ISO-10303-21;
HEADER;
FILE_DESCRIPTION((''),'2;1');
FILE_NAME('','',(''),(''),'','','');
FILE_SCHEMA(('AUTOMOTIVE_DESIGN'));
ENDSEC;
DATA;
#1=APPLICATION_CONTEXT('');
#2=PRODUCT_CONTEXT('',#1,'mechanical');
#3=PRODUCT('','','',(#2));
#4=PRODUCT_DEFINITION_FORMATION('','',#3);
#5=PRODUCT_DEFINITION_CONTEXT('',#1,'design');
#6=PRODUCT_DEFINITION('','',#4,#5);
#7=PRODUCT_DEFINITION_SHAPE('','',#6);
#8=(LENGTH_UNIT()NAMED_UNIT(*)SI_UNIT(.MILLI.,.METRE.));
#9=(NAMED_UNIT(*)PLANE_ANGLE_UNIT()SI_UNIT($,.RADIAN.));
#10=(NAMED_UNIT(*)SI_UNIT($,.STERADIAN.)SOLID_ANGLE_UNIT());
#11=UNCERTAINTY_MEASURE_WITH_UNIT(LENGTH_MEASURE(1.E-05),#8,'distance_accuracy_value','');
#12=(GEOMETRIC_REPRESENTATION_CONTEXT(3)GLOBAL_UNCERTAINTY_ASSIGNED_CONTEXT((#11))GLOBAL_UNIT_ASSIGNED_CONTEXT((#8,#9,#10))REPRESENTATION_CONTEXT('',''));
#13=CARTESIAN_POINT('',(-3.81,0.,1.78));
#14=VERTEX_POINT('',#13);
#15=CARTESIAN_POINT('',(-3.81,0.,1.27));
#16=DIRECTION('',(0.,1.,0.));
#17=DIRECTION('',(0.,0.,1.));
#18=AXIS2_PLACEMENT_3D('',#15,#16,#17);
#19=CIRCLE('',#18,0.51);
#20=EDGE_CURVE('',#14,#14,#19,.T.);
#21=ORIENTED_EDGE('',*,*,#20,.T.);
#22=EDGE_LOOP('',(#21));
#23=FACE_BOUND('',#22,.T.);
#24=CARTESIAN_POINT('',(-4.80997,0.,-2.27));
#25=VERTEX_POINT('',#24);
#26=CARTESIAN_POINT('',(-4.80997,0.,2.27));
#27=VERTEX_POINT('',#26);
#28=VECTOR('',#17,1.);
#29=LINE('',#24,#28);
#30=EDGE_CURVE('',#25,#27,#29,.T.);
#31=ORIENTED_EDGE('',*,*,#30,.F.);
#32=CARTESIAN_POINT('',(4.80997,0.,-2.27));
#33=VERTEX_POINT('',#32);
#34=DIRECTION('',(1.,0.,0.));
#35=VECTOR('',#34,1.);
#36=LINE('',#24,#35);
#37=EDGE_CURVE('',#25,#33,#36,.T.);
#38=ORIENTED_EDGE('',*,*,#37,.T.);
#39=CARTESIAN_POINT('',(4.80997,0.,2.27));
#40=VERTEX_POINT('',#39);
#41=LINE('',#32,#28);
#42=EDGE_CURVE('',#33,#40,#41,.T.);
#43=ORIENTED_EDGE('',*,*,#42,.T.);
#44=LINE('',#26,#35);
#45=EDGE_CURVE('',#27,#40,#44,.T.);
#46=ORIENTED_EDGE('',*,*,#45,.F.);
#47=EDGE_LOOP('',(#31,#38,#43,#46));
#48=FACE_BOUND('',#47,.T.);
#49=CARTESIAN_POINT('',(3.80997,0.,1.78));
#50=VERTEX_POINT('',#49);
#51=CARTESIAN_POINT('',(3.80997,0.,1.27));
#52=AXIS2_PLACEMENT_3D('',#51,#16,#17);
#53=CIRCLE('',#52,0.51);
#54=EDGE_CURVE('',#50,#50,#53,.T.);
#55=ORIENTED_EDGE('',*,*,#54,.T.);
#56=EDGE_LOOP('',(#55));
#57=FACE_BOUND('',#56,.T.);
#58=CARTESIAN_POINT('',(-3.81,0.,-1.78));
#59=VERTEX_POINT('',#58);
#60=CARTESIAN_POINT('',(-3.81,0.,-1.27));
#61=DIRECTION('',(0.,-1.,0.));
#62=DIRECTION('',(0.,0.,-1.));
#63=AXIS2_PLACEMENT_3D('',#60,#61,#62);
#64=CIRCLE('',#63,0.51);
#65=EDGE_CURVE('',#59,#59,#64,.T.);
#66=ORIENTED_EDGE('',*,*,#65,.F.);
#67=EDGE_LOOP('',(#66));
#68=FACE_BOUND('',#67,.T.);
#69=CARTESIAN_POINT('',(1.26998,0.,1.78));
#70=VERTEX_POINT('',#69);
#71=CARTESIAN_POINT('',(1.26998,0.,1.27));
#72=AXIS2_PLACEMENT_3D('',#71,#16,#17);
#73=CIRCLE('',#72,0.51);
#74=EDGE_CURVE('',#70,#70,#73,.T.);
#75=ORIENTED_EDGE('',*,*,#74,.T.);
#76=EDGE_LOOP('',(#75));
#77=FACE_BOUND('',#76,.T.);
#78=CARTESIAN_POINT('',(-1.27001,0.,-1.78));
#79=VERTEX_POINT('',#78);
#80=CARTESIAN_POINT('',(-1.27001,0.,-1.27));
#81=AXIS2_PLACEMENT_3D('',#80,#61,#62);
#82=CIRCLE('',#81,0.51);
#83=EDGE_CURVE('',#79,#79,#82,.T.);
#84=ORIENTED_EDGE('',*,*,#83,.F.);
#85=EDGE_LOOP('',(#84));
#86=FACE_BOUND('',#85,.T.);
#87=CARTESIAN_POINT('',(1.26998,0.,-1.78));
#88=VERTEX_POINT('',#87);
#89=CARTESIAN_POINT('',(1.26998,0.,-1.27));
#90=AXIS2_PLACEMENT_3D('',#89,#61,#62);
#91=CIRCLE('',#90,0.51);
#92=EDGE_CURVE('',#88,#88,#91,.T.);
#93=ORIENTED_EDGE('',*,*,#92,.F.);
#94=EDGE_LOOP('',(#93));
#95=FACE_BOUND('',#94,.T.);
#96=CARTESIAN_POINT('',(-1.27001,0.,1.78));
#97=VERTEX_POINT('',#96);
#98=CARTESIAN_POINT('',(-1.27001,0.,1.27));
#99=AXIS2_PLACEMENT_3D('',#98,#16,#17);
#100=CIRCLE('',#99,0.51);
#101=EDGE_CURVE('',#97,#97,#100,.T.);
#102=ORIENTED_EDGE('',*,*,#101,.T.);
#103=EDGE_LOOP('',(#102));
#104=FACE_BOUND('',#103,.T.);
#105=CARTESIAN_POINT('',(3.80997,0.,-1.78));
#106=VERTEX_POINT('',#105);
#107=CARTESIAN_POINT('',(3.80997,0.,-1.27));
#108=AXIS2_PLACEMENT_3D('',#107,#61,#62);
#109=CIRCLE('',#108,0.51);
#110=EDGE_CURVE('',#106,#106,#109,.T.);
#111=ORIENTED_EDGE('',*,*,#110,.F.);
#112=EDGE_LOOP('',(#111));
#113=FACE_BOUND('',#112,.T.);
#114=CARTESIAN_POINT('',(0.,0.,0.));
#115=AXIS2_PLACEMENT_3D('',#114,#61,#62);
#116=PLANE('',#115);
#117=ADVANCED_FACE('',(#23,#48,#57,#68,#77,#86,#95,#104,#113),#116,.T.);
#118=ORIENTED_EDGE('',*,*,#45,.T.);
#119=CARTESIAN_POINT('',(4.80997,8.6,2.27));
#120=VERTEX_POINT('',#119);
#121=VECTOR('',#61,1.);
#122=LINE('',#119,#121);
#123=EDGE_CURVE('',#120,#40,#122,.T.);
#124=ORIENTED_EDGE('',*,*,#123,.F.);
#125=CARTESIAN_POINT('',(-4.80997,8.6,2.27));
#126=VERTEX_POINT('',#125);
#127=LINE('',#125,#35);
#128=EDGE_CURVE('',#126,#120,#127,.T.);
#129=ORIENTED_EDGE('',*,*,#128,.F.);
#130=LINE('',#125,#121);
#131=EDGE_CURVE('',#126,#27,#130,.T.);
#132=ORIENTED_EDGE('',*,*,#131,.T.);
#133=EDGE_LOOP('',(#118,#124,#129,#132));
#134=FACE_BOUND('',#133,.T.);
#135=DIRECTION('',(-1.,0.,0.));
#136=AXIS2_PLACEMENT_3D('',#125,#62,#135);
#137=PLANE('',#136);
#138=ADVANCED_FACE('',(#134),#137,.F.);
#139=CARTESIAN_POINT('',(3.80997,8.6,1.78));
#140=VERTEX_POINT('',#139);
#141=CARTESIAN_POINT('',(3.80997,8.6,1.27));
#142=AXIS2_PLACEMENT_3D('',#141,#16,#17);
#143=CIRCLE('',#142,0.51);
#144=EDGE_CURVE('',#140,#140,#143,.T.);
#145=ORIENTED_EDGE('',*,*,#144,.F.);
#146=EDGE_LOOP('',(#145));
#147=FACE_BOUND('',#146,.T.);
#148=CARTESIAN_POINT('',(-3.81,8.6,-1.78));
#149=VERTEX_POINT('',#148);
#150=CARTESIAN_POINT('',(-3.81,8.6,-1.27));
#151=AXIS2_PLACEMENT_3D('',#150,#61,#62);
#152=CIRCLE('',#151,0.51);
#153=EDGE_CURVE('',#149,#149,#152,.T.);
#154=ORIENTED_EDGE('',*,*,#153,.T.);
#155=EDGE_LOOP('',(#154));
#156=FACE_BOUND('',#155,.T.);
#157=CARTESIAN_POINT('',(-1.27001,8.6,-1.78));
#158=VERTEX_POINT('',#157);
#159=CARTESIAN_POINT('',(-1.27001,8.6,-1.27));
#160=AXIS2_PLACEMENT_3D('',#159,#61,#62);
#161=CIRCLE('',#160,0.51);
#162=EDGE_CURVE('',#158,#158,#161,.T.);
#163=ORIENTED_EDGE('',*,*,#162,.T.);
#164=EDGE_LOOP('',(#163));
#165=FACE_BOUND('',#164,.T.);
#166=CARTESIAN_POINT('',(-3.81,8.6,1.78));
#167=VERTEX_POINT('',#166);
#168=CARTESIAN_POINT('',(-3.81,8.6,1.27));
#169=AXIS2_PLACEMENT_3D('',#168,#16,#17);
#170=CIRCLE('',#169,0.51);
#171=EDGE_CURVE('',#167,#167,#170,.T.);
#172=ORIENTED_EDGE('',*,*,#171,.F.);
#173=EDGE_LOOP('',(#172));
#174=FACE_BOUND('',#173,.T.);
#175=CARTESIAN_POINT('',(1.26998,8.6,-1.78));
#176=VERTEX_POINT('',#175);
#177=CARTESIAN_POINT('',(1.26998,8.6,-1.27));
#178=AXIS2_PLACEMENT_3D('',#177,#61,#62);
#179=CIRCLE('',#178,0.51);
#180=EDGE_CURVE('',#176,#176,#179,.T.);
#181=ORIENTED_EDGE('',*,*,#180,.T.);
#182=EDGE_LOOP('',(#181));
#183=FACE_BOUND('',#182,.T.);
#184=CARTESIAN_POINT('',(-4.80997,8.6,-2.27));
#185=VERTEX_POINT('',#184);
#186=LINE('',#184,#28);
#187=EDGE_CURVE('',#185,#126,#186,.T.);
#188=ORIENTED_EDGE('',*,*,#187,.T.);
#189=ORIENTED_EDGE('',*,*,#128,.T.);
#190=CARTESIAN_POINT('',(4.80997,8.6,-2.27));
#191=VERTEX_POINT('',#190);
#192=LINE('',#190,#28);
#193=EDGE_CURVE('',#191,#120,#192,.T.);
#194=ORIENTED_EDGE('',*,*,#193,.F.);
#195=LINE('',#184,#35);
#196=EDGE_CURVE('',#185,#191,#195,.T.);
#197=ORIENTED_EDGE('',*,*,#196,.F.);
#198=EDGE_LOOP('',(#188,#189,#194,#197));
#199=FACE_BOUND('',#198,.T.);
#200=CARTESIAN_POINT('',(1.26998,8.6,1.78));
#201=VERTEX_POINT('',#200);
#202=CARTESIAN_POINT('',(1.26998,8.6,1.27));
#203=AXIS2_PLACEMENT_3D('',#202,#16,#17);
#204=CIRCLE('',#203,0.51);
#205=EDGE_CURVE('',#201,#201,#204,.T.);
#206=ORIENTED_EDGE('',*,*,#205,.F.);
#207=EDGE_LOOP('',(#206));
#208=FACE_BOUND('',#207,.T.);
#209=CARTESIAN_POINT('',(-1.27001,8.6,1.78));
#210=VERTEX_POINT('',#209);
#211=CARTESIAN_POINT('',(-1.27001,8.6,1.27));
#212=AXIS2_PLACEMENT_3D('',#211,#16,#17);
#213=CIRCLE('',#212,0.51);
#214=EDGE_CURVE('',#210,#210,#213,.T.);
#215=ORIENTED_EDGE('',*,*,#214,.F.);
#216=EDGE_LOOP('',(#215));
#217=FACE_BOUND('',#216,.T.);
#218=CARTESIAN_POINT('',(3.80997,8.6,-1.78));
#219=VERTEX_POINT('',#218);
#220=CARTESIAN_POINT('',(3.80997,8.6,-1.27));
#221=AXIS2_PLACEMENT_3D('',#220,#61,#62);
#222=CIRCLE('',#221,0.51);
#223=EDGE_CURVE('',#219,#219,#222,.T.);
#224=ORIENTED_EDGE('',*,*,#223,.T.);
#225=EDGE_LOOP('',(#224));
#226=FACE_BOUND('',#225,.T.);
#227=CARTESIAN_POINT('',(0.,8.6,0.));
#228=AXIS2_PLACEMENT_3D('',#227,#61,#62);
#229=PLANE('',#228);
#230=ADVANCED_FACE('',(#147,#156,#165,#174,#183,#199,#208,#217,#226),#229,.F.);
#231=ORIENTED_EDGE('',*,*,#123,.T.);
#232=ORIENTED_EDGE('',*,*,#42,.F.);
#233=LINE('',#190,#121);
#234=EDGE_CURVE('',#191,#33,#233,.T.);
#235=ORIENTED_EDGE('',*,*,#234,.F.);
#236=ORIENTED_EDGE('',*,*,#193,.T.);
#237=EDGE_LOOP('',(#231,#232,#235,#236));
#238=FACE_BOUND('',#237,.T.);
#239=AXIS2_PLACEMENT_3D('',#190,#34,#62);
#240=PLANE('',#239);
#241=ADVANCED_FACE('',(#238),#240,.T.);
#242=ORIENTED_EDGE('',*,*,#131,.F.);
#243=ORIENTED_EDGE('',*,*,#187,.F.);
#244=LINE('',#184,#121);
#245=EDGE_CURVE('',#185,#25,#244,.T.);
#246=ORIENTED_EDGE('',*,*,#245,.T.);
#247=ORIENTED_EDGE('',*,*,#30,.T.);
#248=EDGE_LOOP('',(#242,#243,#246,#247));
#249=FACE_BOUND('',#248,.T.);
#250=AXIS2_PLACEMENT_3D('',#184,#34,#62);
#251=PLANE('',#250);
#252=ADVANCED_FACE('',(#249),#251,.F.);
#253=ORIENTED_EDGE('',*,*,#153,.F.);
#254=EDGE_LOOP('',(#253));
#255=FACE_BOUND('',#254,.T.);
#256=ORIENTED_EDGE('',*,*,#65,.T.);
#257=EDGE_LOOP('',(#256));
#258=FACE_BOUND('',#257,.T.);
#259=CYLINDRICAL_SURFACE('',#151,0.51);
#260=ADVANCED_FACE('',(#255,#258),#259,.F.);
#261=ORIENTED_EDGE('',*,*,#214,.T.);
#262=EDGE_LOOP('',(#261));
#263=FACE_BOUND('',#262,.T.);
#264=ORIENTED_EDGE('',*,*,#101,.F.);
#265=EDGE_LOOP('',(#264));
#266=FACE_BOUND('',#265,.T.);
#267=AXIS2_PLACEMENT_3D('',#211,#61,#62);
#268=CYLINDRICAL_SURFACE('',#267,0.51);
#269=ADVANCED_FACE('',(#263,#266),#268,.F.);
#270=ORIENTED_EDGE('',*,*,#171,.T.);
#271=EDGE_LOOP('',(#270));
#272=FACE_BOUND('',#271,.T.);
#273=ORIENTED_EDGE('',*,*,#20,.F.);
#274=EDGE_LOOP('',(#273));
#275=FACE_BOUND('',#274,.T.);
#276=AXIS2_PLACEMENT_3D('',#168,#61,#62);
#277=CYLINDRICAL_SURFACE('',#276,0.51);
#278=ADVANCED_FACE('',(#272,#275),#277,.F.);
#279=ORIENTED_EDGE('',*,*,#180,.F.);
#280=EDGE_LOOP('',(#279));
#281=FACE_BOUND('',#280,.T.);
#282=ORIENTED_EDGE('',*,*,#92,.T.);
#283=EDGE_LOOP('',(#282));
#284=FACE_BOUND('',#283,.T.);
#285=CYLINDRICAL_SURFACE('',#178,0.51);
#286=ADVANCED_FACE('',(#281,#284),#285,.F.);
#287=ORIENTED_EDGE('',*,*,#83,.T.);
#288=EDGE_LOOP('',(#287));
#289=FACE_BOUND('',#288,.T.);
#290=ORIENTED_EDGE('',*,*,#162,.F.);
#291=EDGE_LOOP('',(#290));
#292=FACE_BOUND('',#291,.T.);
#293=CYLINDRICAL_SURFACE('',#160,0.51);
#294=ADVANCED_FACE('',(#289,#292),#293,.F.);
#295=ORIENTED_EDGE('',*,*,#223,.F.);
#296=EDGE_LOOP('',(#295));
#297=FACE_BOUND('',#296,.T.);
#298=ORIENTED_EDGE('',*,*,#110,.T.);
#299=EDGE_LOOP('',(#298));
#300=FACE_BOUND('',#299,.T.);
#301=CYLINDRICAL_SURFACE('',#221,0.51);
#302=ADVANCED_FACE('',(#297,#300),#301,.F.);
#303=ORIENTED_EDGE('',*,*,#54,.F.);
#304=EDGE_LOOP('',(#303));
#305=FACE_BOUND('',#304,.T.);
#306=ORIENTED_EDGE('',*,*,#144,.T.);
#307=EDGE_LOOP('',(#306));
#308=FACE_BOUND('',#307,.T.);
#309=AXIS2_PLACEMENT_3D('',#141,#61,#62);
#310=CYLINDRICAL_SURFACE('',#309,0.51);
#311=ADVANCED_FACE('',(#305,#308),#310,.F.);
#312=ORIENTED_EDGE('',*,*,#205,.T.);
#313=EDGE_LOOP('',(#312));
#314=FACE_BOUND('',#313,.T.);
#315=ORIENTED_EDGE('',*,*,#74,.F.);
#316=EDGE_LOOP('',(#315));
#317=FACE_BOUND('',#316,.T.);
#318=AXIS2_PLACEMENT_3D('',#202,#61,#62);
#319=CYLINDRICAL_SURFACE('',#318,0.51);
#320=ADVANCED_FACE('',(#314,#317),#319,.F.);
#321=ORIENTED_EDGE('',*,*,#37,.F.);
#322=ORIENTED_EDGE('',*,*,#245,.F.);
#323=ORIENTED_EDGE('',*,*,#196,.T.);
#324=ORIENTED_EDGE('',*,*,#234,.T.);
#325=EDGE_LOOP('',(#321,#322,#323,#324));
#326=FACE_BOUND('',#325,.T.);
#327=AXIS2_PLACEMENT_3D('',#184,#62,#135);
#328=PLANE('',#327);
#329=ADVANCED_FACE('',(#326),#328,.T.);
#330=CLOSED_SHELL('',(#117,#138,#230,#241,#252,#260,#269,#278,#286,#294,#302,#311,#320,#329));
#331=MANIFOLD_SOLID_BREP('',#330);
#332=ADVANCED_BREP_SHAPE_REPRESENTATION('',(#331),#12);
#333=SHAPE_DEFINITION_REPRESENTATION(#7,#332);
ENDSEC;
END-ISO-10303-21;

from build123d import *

# Parameters (mm, degrees)
ESBO_O2_W                = 9.61994
ESBO_O2_H                = 4.54
ESBO_O2_R                = 0.51
RESSALTO_EXTRUS_O2_DEPTH = 8.6


with BuildPart() as part:
    # Esboço2 → Ressalto-extrusão2 (new body)
    with BuildSketch(Plane(origin=(0, 0, 0), x_dir=(1, 0, 0), z_dir=(0, 1, 0))):
        Rectangle(ESBO_O2_W, ESBO_O2_H)
        with Locations(Location((-3.81, -1.27, 0), (0, 0, 270))):
            Circle(ESBO_O2_R, mode=Mode.SUBTRACT)
        with Locations(Location((-1.27001, -1.27, 0), (0, 0, 270))):
            Circle(ESBO_O2_R, mode=Mode.SUBTRACT)
        with Locations(Location((1.26998, -1.27, 0), (0, 0, 270))):
            Circle(ESBO_O2_R, mode=Mode.SUBTRACT)
        with Locations(Location((3.80997, -1.27, 0), (0, 0, 270))):
            Circle(ESBO_O2_R, mode=Mode.SUBTRACT)
        with Locations(Location((3.80997, 1.27, 0), (0, 0, 90))):
            Circle(ESBO_O2_R, mode=Mode.SUBTRACT)
        with Locations(Location((1.26998, 1.27, 0), (0, 0, 90))):
            Circle(ESBO_O2_R, mode=Mode.SUBTRACT)
        with Locations(Location((-1.27001, 1.27, 0), (0, 0, 90))):
            Circle(ESBO_O2_R, mode=Mode.SUBTRACT)
        with Locations(Location((-3.81, 1.27, 0), (0, 0, 90))):
            Circle(ESBO_O2_R, mode=Mode.SUBTRACT)
    extrude(amount=RESSALTO_EXTRUS_O2_DEPTH)


solid = part.part
